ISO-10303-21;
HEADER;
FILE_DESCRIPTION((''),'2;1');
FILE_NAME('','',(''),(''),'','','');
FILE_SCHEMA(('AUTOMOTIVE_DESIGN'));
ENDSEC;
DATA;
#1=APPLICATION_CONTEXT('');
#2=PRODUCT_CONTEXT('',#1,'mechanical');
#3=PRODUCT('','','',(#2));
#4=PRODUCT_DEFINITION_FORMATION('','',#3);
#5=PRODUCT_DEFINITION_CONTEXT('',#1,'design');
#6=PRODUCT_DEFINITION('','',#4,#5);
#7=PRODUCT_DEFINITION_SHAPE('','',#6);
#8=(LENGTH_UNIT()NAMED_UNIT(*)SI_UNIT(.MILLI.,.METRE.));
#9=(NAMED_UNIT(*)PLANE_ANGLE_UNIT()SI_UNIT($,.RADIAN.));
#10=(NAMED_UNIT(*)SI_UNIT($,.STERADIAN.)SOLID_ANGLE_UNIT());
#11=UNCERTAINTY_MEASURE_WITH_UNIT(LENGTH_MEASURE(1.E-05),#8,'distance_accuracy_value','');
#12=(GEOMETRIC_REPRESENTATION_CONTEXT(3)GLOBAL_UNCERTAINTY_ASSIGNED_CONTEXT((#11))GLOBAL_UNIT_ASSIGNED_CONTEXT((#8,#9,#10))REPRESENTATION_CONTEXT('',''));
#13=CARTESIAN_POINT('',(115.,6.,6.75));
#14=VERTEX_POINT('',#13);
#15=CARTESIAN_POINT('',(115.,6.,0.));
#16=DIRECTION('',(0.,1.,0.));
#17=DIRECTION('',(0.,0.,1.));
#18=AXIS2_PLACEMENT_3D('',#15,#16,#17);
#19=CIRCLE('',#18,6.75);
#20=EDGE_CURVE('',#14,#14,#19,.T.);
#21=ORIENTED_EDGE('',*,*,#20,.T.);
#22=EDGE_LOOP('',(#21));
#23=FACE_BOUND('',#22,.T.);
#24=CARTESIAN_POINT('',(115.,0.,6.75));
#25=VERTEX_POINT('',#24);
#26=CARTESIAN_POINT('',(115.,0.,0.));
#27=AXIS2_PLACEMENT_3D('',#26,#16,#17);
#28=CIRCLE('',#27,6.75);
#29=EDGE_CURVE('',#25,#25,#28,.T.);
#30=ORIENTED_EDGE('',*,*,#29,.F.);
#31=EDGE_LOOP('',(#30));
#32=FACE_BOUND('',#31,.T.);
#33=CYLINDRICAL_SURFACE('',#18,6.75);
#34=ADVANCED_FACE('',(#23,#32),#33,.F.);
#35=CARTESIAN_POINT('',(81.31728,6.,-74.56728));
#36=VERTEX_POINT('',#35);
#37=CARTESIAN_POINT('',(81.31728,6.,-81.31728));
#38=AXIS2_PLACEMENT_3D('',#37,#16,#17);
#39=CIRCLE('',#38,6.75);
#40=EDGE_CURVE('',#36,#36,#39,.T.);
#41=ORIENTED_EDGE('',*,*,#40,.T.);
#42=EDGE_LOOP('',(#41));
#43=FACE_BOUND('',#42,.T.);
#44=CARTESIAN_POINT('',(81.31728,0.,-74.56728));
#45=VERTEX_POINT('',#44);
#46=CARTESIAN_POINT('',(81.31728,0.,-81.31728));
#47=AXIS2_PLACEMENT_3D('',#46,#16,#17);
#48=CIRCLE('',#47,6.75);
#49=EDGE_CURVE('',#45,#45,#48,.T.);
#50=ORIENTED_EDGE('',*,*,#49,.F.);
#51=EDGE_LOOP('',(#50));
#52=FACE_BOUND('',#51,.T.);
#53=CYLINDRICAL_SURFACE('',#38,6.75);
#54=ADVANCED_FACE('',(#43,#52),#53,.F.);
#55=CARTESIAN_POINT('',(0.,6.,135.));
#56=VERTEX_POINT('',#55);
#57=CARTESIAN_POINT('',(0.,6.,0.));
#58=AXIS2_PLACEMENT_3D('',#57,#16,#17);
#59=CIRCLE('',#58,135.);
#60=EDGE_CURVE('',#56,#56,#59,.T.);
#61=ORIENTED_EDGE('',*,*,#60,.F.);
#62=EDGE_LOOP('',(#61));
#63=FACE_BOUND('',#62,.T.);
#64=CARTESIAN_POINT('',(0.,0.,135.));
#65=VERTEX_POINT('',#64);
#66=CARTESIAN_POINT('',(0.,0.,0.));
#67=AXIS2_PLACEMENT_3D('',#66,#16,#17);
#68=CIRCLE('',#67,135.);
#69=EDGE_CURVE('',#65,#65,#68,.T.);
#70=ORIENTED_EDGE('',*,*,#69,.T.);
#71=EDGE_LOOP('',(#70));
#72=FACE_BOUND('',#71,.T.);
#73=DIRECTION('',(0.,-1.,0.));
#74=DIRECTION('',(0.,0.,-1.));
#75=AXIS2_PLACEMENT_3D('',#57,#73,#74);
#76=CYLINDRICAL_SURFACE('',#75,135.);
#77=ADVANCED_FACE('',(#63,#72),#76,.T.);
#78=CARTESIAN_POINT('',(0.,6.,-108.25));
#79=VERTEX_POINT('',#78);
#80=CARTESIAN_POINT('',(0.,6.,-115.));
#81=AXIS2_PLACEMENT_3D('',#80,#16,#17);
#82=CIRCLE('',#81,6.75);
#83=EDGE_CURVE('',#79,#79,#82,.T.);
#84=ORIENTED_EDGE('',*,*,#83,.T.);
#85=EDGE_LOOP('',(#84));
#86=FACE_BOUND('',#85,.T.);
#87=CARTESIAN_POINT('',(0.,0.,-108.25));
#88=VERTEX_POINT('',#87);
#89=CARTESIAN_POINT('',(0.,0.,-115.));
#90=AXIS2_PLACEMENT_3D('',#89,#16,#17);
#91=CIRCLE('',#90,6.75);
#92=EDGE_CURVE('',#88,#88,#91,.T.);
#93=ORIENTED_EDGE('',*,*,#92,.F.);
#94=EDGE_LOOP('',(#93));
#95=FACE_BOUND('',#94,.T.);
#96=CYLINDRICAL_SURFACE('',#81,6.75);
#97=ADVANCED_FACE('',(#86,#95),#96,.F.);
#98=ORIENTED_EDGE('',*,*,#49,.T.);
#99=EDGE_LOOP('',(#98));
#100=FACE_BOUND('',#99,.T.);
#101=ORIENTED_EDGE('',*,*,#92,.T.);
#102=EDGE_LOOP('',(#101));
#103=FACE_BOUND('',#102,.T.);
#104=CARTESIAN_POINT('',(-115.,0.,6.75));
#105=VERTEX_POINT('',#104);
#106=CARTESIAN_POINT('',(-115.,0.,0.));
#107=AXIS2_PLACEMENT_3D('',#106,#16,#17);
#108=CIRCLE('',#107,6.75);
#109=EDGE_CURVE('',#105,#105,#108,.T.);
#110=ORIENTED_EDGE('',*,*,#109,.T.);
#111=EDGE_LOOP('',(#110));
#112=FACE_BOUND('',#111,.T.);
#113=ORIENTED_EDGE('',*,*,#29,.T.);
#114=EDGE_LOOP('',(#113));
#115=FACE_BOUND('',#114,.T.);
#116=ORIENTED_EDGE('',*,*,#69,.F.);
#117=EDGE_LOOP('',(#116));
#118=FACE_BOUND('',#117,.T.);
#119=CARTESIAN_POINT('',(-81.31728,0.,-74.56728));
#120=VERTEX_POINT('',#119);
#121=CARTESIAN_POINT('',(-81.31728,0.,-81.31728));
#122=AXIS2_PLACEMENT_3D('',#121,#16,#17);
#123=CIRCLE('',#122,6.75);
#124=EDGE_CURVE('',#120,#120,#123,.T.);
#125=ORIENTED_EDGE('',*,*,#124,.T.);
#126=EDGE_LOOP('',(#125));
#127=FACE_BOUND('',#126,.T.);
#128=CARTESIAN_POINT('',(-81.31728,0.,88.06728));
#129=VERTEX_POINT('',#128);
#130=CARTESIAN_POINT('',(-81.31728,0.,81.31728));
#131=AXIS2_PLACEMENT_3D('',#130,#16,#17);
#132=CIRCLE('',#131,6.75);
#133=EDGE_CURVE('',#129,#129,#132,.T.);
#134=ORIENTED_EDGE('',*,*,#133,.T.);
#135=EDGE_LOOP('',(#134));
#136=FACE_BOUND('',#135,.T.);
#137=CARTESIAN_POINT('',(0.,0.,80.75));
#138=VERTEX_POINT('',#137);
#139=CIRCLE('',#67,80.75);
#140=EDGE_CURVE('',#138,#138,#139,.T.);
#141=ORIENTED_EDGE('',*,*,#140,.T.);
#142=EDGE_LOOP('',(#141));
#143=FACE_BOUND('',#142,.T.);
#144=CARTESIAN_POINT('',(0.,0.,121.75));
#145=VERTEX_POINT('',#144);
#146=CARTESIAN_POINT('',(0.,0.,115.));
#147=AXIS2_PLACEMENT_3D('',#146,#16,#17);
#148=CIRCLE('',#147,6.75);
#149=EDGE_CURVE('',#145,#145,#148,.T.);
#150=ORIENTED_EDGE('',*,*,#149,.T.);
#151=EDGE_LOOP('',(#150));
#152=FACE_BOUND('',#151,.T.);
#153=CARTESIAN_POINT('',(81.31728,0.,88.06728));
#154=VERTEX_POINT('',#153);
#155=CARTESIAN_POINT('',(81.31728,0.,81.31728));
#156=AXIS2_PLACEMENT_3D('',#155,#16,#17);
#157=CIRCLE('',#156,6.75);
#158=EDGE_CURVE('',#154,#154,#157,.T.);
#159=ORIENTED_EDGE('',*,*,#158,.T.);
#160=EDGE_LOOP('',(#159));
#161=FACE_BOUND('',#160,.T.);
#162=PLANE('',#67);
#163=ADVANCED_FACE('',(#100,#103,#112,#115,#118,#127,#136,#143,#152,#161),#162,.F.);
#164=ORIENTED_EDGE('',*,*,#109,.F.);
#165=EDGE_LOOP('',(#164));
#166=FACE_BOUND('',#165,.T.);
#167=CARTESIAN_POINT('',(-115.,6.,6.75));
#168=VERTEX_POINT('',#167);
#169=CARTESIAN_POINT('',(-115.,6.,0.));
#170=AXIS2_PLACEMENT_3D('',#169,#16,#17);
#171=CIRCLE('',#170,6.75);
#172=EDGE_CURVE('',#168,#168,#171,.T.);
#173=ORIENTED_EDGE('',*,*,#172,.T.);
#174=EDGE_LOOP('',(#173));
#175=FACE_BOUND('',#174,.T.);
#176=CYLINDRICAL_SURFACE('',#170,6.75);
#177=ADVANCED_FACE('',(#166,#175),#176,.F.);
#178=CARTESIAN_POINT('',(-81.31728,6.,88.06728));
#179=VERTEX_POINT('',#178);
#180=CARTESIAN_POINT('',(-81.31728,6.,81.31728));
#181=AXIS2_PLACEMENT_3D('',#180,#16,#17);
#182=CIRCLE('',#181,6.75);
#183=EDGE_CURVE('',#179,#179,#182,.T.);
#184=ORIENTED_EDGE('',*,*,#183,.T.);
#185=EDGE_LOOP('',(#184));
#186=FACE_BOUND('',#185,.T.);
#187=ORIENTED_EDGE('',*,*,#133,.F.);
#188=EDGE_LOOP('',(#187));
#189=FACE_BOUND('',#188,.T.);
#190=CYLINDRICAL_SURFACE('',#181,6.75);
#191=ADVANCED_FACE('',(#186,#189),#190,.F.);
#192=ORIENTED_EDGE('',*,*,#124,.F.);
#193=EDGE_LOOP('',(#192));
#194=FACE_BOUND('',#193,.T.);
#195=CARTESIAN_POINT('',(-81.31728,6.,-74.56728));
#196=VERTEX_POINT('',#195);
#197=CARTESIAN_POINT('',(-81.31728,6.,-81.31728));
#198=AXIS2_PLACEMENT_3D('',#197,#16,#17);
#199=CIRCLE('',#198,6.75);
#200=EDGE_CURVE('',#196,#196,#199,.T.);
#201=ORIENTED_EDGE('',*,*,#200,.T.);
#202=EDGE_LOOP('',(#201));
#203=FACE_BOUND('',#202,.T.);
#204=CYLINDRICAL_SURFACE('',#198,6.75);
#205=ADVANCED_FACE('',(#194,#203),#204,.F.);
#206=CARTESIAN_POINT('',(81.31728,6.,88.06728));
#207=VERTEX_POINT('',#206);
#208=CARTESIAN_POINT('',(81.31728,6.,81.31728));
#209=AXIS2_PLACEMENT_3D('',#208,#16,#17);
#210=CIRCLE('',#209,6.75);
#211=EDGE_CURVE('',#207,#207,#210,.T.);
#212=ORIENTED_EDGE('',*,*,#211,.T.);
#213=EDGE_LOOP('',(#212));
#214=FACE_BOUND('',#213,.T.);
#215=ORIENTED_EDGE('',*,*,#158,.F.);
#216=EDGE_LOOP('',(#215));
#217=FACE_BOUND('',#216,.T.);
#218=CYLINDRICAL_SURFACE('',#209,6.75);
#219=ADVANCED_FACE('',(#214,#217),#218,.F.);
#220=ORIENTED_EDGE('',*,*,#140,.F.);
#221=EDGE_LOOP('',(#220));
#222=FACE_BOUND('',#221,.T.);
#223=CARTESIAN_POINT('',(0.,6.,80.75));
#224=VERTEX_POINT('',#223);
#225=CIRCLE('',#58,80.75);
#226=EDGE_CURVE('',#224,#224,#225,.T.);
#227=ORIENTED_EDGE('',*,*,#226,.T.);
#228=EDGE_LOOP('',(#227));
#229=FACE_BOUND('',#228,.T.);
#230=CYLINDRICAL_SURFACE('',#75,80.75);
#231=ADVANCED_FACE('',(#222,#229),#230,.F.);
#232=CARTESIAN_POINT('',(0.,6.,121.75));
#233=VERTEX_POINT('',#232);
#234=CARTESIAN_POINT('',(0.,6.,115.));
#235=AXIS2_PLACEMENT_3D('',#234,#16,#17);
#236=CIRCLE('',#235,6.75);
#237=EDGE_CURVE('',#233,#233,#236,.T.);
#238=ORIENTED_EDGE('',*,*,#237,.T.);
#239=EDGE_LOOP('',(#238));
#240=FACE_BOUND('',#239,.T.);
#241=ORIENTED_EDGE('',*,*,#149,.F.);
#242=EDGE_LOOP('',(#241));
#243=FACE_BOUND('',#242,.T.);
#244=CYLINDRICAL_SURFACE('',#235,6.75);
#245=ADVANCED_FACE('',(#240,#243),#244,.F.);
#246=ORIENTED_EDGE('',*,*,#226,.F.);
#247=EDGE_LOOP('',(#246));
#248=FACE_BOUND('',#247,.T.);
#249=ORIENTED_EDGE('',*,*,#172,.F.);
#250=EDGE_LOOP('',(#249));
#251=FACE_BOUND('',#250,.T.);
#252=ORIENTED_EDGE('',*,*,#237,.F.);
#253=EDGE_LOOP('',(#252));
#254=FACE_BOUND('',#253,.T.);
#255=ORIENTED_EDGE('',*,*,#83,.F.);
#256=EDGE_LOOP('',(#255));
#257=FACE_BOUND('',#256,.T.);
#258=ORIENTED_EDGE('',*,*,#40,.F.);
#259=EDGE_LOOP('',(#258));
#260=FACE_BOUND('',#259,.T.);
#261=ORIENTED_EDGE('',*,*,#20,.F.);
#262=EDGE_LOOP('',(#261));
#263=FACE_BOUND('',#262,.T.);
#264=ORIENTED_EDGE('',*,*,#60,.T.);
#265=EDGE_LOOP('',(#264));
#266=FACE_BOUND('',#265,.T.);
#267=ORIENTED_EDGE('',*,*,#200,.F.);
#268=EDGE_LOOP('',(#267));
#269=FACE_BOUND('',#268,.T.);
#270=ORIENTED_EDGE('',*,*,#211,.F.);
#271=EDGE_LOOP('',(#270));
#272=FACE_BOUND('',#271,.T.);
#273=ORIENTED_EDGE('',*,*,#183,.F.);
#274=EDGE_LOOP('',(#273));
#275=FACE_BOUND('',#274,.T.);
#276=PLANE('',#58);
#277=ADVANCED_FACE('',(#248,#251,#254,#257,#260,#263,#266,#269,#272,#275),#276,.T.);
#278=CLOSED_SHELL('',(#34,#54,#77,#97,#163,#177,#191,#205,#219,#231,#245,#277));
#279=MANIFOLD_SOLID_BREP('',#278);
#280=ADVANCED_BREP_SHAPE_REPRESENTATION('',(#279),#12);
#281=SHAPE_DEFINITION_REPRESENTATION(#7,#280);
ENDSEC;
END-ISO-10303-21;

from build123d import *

# Parameters (mm, degrees)
SKETCH1_R             = 135
SKETCH1_R_2           = 80.75
BOSS_EXTRUDE1_DEPTH   = 6
M12_CLEARANCE_HOLE1_D = 13.5


with BuildPart() as part:
    # Sketch1 → Boss-Extrude1 (new body)
    with BuildSketch(Plane(origin=(0, 0, 0), x_dir=(1, 0, 0), z_dir=(0, 1, 0))):
        with Locations(Location((0, 0, 0), (0, 0, 270))):
            Circle(SKETCH1_R)
        with Locations(Location((0, 0, 0), (0, 0, 270))):
            Circle(SKETCH1_R_2, mode=Mode.SUBTRACT)
    extrude(amount=BOSS_EXTRUDE1_DEPTH)

    # M12 Clearance Hole1 (through all)
    with Locations(Plane(origin=(0, 6, 0), x_dir=(1, 0, 0), z_dir=(0, 1, 0))):
        with Locations((0, 115), (81.317279836, 81.317279836), (115, 0), (81.317279836, -81.317279836), (0, -115), (-81.317279836, -81.317279836), (-115, 0), (-81.317279836, 81.317279836), (0, 0)):
            Hole(M12_CLEARANCE_HOLE1_D / 2)


solid = part.part
